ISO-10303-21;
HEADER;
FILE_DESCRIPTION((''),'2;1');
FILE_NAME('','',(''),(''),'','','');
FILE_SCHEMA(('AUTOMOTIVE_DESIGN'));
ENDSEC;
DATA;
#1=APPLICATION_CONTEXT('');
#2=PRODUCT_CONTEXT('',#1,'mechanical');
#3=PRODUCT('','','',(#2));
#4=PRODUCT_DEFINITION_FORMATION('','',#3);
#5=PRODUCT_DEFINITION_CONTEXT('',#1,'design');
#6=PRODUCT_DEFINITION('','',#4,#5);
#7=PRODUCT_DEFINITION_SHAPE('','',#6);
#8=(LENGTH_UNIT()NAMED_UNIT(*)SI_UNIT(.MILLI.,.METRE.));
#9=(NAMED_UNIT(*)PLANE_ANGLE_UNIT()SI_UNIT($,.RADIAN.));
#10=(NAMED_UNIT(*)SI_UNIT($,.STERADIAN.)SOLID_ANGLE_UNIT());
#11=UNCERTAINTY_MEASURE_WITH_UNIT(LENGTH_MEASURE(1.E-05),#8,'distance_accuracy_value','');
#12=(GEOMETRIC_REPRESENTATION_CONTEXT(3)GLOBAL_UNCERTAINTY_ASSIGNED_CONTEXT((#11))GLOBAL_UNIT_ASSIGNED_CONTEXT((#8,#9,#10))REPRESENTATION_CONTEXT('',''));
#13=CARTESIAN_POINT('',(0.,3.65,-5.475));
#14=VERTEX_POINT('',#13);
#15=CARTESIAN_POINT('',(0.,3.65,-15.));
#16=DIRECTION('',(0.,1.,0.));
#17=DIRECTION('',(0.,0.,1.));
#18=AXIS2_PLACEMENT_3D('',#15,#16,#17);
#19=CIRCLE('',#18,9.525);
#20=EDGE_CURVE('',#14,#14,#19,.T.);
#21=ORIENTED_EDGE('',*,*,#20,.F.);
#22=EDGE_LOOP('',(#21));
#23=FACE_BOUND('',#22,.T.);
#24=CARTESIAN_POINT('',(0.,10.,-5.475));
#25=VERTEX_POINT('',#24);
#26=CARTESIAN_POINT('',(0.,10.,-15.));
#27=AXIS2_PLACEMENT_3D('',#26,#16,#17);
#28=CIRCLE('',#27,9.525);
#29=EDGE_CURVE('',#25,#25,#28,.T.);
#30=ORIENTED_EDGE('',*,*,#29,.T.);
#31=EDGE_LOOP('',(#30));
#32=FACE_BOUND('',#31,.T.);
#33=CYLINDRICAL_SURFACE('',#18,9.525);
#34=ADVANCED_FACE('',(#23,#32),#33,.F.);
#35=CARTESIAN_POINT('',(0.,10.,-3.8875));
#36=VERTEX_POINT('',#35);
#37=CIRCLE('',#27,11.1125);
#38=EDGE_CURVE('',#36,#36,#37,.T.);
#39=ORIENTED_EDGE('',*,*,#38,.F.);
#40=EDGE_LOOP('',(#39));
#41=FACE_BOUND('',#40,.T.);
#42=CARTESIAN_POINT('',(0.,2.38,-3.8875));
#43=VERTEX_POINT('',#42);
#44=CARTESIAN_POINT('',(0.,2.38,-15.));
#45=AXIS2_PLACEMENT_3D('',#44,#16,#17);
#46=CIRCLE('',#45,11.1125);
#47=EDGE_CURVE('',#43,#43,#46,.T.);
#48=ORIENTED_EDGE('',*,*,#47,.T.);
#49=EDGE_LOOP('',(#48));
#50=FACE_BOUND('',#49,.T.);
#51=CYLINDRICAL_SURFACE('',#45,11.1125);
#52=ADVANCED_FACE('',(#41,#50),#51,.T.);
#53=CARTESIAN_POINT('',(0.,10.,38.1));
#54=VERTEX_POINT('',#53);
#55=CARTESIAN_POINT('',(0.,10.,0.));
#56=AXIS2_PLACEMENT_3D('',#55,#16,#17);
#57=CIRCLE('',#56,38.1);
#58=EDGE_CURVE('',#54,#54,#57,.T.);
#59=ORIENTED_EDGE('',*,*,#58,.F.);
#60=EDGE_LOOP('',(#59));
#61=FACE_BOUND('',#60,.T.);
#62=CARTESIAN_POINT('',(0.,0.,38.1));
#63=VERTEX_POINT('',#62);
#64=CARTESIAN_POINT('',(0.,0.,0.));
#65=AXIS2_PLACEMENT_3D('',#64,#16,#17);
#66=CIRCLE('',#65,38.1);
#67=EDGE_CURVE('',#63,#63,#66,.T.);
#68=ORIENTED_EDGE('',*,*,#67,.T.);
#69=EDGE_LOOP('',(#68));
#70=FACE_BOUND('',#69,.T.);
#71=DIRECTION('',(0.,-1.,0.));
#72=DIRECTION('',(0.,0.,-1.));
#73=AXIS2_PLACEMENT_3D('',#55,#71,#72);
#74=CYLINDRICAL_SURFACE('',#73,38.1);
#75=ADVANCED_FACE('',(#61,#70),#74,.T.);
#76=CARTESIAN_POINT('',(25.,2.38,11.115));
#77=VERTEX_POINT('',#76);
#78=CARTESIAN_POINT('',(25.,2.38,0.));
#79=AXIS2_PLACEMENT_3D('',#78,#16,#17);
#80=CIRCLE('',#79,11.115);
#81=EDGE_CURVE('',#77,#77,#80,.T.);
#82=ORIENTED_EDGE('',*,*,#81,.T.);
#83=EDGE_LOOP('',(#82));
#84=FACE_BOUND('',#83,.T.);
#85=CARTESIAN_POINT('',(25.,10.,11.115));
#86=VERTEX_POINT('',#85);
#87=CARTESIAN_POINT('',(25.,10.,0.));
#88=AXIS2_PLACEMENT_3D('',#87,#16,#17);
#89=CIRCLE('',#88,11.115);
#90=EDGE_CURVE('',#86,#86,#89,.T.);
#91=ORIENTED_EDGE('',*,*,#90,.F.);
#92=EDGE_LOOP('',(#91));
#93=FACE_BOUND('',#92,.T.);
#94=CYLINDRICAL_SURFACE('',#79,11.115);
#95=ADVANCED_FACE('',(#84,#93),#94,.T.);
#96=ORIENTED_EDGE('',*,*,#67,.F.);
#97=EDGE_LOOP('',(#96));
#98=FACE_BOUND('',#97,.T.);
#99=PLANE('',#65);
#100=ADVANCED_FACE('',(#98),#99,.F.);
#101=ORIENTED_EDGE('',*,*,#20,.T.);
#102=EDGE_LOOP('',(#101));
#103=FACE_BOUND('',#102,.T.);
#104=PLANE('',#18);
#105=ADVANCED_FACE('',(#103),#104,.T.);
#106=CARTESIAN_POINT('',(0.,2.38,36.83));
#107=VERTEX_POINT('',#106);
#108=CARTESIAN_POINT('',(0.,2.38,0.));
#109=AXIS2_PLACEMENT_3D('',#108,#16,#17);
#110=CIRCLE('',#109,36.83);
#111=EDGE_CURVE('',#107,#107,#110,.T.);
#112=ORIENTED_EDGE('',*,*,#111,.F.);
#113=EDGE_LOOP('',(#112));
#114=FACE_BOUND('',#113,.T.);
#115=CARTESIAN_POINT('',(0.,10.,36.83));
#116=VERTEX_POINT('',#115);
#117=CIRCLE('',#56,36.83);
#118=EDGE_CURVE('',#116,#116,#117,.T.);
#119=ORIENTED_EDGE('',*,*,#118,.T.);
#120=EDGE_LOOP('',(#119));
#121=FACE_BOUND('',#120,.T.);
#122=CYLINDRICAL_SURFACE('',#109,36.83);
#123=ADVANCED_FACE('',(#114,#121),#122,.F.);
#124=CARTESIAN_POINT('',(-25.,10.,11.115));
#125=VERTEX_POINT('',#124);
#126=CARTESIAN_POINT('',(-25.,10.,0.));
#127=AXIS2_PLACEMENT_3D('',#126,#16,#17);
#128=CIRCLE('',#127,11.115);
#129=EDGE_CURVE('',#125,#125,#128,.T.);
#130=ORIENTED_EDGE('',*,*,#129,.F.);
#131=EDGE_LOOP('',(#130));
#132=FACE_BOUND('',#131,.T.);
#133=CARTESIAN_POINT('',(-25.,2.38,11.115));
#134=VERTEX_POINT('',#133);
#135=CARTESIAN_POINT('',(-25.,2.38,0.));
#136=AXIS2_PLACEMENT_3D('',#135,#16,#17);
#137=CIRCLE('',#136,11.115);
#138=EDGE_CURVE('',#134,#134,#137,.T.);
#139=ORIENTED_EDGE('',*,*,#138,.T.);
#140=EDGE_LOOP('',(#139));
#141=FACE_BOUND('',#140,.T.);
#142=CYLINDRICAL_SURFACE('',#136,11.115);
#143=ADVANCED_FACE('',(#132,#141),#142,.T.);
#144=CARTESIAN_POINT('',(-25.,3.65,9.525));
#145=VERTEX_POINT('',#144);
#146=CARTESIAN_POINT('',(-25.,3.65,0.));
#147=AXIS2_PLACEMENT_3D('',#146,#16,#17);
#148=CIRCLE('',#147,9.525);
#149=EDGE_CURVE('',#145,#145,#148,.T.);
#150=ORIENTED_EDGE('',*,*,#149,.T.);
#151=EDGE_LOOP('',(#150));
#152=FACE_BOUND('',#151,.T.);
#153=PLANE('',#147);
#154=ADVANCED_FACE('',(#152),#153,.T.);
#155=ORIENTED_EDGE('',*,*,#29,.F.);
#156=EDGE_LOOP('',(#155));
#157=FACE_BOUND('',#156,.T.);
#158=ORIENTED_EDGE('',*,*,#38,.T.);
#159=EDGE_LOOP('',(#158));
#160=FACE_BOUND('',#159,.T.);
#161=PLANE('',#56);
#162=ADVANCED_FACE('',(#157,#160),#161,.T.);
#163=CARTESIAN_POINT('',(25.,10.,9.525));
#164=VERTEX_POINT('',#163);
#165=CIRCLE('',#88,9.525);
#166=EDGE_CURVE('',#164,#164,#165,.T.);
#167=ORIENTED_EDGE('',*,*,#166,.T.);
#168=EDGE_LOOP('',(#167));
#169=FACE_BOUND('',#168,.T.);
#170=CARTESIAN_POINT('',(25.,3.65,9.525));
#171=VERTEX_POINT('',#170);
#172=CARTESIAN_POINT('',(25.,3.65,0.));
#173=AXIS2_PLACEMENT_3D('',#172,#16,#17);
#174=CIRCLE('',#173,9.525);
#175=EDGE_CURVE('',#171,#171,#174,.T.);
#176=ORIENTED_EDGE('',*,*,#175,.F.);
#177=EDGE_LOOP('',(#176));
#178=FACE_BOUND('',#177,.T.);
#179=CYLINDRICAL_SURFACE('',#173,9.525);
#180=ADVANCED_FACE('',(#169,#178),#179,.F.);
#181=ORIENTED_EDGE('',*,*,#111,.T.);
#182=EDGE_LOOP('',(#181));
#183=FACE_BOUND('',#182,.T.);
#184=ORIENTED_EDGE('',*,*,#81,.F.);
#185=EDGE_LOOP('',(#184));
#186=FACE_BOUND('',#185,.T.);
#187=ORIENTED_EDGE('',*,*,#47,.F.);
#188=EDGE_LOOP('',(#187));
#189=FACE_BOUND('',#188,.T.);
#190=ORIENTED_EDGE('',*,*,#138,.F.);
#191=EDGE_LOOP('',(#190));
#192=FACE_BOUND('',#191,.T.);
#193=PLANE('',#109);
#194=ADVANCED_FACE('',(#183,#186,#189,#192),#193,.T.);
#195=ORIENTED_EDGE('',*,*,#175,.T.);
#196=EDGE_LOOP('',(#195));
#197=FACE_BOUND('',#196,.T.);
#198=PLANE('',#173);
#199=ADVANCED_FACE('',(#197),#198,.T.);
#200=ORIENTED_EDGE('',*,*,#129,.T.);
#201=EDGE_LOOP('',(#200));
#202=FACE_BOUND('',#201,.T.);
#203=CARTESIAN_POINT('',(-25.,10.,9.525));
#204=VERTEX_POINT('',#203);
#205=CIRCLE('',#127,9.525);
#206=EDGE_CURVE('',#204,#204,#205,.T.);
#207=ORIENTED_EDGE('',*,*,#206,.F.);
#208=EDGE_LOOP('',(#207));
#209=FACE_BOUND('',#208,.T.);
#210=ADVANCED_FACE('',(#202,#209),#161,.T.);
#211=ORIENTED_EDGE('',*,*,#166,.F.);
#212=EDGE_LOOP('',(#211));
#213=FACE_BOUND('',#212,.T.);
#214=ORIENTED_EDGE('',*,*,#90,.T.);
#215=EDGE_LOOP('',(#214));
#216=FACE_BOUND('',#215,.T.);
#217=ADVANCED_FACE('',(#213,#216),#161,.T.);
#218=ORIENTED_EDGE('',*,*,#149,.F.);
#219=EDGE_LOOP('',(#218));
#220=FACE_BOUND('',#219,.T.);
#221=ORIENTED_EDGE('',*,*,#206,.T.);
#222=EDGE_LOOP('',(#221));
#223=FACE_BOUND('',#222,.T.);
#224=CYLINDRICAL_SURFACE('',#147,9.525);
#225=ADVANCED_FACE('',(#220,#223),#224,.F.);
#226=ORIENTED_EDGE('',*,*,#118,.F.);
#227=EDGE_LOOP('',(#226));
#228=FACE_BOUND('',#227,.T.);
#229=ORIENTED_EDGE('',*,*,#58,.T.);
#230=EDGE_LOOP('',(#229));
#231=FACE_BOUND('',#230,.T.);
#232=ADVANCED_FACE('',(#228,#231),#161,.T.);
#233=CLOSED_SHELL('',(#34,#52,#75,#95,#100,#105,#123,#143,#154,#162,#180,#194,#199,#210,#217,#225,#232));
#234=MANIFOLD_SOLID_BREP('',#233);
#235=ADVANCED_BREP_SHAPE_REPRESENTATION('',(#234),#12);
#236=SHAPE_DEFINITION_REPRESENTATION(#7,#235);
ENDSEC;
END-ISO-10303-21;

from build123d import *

# Parameters (mm, degrees)
SKETCH1_R           = 38.1
BOSS_EXTRUDE1_DEPTH = 10
SKETCH2_R           = 9.525
CUT_EXTRUDE1_DEPTH  = 6.35
SKETCH3_R           = 36.83
SKETCH3_R_2         = 11.1125
SKETCH3_R_3         = 11.115
CUT_EXTRUDE2_DEPTH  = 7.62


with BuildPart() as part:
    # Sketch1 → Boss-Extrude1 (new body)
    with BuildSketch(Plane(origin=(0, 0, 0), x_dir=(1, 0, 0), z_dir=(0, 1, 0))):
        Circle(SKETCH1_R)
    extrude(amount=BOSS_EXTRUDE1_DEPTH)

    # Sketch2 → Cut-Extrude1 (cut)
    with BuildSketch(Plane(origin=(0, 10, 0), x_dir=(1, 0, 0), z_dir=(0, 1, 0))):
        with Locations((25, 0)):
            Circle(SKETCH2_R)
        with Locations((-25, 0)):
            Circle(SKETCH2_R)
        with Locations((0, 15)):
            Circle(SKETCH2_R)
    extrude(amount=-CUT_EXTRUDE1_DEPTH, mode=Mode.SUBTRACT)

    # Sketch3 → Cut-Extrude2 (cut)
    with BuildSketch(Plane(origin=(0, 10, 0), x_dir=(1, 0, 0), z_dir=(0, 1, 0))):
        Circle(SKETCH3_R)
        with Locations((0, 15)):
            Circle(SKETCH3_R_2, mode=Mode.SUBTRACT)
        with Locations((25, 0)):
            Circle(SKETCH3_R_3, mode=Mode.SUBTRACT)
        with Locations((-25, 0)):
            Circle(SKETCH3_R_3, mode=Mode.SUBTRACT)
    extrude(amount=-CUT_EXTRUDE2_DEPTH, mode=Mode.SUBTRACT)


solid = part.part
